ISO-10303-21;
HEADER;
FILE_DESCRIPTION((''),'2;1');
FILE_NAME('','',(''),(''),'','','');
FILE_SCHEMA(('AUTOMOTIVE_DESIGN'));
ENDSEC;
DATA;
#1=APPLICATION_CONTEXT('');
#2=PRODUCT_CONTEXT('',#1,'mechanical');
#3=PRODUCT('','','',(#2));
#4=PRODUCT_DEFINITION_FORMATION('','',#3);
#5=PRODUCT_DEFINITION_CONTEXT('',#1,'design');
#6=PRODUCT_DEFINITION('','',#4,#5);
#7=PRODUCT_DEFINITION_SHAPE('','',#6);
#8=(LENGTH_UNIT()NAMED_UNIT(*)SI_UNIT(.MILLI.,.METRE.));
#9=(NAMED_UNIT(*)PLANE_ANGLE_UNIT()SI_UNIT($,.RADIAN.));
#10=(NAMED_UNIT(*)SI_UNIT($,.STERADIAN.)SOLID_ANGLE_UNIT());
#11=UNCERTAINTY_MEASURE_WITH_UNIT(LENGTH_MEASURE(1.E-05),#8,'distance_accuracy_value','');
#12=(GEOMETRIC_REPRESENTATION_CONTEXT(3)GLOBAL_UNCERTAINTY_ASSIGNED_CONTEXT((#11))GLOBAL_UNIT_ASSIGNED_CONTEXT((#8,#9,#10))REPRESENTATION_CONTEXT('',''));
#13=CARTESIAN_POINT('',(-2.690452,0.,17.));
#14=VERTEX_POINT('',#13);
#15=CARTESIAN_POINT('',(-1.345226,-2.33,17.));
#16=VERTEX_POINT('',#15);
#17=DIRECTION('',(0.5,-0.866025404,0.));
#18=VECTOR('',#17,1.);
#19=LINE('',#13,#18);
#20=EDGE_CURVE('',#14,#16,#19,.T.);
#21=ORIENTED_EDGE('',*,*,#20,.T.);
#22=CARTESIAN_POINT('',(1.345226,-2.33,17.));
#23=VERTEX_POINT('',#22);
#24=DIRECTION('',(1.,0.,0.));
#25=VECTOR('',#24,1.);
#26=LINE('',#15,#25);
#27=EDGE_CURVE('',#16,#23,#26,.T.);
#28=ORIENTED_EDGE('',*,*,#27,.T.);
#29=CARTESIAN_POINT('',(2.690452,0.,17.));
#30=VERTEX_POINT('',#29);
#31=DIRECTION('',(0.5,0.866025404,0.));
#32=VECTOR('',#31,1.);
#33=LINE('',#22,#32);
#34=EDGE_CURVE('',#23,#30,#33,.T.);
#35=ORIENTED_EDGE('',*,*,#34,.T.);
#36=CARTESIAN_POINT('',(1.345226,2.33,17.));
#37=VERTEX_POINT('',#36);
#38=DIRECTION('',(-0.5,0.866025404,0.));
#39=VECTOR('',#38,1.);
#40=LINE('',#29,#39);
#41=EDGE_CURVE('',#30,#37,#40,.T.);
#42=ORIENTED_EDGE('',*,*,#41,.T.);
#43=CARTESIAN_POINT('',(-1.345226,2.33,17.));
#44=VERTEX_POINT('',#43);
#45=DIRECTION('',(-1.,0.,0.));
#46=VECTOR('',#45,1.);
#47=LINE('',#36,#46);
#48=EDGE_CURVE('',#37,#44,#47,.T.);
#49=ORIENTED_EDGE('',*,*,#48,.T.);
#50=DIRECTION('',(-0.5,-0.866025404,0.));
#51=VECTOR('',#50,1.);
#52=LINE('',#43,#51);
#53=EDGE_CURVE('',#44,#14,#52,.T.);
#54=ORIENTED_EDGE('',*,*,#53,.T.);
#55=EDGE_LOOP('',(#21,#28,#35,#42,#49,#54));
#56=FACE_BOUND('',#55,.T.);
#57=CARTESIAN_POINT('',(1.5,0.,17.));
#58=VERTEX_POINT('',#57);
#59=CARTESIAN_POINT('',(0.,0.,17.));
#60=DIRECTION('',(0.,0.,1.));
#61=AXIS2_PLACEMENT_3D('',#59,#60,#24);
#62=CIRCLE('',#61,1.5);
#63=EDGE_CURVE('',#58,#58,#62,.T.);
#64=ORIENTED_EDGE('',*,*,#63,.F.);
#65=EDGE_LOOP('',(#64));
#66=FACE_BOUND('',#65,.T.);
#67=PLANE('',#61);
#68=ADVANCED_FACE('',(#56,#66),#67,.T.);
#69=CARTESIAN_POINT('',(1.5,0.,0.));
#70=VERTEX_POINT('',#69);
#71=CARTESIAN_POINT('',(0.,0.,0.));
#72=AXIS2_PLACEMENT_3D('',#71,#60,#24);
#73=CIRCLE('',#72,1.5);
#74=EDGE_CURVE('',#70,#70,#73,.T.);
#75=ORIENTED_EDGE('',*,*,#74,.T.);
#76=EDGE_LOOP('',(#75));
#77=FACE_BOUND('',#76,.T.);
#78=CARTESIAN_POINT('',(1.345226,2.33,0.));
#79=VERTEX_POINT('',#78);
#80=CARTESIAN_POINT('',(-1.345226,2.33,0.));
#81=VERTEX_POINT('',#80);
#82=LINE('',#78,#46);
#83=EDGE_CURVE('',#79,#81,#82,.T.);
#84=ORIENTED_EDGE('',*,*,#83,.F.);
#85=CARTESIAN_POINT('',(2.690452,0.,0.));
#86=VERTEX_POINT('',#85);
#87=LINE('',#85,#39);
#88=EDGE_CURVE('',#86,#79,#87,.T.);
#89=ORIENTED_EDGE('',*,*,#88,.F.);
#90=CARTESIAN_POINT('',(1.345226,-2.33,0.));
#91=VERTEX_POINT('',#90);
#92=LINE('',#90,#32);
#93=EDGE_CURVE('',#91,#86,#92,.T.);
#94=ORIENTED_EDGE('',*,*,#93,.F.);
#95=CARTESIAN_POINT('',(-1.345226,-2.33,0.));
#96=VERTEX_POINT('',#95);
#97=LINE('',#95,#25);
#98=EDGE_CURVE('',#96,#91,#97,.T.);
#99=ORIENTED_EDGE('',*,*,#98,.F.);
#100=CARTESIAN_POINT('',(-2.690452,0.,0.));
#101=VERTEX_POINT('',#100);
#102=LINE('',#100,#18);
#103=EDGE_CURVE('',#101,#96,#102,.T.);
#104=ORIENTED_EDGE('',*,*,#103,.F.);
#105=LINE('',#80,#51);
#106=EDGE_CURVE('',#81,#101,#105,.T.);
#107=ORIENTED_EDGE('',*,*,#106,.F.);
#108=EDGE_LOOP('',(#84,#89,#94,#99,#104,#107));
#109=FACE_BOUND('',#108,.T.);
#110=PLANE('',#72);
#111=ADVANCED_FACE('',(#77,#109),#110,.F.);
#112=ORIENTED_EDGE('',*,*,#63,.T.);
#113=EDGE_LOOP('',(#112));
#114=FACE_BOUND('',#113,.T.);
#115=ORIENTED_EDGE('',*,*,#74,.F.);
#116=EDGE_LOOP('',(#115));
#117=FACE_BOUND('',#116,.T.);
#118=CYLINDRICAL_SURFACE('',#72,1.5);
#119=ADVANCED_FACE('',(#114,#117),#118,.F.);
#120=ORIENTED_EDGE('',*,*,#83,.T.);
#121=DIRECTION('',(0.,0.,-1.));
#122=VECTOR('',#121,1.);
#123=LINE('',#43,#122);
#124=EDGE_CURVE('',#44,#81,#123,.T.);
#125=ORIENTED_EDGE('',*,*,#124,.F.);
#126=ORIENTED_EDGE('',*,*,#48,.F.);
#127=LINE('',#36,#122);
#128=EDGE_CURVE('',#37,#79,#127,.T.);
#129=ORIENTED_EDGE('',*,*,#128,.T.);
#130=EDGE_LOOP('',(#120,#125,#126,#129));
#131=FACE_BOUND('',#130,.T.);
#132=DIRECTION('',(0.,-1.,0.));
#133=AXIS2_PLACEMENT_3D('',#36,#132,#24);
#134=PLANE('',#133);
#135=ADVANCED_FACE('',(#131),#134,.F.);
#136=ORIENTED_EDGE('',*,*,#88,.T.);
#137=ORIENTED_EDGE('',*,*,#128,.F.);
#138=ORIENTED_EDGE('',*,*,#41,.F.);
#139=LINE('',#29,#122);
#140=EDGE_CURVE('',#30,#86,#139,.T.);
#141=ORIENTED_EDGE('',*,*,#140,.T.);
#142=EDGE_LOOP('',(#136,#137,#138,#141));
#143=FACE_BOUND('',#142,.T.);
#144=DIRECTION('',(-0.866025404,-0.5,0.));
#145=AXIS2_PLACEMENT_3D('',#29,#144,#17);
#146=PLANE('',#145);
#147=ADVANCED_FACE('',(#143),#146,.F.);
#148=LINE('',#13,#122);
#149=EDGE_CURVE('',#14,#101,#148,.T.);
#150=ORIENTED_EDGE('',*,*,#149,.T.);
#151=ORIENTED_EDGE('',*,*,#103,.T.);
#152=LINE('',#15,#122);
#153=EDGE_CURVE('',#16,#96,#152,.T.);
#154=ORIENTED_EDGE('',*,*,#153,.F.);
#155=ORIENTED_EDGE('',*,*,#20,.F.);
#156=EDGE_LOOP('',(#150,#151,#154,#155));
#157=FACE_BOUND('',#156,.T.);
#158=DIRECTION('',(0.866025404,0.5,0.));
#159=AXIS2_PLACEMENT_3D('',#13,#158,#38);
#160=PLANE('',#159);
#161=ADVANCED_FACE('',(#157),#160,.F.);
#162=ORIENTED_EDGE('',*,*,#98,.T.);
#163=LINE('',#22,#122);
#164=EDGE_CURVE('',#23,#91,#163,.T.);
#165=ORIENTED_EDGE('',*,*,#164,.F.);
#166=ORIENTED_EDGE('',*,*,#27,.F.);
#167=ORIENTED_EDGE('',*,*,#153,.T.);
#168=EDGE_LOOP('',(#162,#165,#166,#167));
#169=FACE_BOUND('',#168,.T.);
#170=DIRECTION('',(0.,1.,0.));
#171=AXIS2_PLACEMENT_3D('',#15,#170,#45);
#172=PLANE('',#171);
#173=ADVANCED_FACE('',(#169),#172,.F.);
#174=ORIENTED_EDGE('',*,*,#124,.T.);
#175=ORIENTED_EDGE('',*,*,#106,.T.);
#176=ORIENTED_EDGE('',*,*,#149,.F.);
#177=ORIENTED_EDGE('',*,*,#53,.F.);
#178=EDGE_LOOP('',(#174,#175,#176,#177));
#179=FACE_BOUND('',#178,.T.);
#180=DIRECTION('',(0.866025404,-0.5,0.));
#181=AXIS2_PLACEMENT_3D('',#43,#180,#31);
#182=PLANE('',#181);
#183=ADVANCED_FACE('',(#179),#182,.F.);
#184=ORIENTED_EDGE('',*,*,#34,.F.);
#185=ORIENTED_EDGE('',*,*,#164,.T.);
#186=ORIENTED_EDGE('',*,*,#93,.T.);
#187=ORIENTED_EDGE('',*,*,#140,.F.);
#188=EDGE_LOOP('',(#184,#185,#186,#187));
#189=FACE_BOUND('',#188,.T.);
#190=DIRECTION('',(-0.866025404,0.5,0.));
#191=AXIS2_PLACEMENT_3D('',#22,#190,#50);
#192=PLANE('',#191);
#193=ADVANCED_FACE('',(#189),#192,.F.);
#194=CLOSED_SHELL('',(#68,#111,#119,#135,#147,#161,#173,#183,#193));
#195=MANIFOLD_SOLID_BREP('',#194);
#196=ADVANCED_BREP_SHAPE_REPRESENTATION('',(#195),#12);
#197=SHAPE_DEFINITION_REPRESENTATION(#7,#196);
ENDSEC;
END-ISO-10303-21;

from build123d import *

# Parameters (mm, degrees)
BOSS_EXTRUDE1_DEPTH = 17
SKETCH2_R           = 1.5
CUT_EXTRUDE1_DEPTH  = 17


with BuildPart() as part:
    # Sketch1 → Boss-Extrude1 (new body)
    with BuildSketch(Plane.XY):
        Polygon((2.690452254, 0), (1.345226127, 2.33), (-1.345226127, 2.33), (-2.690452254, 0), (-1.345226127, -2.33), (1.345226127, -2.33), align=None)
    extrude(amount=BOSS_EXTRUDE1_DEPTH)

    # Sketch2 → Cut-Extrude1 (cut)
    with BuildSketch(Plane.XY.offset(17)):
        Circle(SKETCH2_R)
    extrude(amount=-CUT_EXTRUDE1_DEPTH, mode=Mode.SUBTRACT)


solid = part.part
